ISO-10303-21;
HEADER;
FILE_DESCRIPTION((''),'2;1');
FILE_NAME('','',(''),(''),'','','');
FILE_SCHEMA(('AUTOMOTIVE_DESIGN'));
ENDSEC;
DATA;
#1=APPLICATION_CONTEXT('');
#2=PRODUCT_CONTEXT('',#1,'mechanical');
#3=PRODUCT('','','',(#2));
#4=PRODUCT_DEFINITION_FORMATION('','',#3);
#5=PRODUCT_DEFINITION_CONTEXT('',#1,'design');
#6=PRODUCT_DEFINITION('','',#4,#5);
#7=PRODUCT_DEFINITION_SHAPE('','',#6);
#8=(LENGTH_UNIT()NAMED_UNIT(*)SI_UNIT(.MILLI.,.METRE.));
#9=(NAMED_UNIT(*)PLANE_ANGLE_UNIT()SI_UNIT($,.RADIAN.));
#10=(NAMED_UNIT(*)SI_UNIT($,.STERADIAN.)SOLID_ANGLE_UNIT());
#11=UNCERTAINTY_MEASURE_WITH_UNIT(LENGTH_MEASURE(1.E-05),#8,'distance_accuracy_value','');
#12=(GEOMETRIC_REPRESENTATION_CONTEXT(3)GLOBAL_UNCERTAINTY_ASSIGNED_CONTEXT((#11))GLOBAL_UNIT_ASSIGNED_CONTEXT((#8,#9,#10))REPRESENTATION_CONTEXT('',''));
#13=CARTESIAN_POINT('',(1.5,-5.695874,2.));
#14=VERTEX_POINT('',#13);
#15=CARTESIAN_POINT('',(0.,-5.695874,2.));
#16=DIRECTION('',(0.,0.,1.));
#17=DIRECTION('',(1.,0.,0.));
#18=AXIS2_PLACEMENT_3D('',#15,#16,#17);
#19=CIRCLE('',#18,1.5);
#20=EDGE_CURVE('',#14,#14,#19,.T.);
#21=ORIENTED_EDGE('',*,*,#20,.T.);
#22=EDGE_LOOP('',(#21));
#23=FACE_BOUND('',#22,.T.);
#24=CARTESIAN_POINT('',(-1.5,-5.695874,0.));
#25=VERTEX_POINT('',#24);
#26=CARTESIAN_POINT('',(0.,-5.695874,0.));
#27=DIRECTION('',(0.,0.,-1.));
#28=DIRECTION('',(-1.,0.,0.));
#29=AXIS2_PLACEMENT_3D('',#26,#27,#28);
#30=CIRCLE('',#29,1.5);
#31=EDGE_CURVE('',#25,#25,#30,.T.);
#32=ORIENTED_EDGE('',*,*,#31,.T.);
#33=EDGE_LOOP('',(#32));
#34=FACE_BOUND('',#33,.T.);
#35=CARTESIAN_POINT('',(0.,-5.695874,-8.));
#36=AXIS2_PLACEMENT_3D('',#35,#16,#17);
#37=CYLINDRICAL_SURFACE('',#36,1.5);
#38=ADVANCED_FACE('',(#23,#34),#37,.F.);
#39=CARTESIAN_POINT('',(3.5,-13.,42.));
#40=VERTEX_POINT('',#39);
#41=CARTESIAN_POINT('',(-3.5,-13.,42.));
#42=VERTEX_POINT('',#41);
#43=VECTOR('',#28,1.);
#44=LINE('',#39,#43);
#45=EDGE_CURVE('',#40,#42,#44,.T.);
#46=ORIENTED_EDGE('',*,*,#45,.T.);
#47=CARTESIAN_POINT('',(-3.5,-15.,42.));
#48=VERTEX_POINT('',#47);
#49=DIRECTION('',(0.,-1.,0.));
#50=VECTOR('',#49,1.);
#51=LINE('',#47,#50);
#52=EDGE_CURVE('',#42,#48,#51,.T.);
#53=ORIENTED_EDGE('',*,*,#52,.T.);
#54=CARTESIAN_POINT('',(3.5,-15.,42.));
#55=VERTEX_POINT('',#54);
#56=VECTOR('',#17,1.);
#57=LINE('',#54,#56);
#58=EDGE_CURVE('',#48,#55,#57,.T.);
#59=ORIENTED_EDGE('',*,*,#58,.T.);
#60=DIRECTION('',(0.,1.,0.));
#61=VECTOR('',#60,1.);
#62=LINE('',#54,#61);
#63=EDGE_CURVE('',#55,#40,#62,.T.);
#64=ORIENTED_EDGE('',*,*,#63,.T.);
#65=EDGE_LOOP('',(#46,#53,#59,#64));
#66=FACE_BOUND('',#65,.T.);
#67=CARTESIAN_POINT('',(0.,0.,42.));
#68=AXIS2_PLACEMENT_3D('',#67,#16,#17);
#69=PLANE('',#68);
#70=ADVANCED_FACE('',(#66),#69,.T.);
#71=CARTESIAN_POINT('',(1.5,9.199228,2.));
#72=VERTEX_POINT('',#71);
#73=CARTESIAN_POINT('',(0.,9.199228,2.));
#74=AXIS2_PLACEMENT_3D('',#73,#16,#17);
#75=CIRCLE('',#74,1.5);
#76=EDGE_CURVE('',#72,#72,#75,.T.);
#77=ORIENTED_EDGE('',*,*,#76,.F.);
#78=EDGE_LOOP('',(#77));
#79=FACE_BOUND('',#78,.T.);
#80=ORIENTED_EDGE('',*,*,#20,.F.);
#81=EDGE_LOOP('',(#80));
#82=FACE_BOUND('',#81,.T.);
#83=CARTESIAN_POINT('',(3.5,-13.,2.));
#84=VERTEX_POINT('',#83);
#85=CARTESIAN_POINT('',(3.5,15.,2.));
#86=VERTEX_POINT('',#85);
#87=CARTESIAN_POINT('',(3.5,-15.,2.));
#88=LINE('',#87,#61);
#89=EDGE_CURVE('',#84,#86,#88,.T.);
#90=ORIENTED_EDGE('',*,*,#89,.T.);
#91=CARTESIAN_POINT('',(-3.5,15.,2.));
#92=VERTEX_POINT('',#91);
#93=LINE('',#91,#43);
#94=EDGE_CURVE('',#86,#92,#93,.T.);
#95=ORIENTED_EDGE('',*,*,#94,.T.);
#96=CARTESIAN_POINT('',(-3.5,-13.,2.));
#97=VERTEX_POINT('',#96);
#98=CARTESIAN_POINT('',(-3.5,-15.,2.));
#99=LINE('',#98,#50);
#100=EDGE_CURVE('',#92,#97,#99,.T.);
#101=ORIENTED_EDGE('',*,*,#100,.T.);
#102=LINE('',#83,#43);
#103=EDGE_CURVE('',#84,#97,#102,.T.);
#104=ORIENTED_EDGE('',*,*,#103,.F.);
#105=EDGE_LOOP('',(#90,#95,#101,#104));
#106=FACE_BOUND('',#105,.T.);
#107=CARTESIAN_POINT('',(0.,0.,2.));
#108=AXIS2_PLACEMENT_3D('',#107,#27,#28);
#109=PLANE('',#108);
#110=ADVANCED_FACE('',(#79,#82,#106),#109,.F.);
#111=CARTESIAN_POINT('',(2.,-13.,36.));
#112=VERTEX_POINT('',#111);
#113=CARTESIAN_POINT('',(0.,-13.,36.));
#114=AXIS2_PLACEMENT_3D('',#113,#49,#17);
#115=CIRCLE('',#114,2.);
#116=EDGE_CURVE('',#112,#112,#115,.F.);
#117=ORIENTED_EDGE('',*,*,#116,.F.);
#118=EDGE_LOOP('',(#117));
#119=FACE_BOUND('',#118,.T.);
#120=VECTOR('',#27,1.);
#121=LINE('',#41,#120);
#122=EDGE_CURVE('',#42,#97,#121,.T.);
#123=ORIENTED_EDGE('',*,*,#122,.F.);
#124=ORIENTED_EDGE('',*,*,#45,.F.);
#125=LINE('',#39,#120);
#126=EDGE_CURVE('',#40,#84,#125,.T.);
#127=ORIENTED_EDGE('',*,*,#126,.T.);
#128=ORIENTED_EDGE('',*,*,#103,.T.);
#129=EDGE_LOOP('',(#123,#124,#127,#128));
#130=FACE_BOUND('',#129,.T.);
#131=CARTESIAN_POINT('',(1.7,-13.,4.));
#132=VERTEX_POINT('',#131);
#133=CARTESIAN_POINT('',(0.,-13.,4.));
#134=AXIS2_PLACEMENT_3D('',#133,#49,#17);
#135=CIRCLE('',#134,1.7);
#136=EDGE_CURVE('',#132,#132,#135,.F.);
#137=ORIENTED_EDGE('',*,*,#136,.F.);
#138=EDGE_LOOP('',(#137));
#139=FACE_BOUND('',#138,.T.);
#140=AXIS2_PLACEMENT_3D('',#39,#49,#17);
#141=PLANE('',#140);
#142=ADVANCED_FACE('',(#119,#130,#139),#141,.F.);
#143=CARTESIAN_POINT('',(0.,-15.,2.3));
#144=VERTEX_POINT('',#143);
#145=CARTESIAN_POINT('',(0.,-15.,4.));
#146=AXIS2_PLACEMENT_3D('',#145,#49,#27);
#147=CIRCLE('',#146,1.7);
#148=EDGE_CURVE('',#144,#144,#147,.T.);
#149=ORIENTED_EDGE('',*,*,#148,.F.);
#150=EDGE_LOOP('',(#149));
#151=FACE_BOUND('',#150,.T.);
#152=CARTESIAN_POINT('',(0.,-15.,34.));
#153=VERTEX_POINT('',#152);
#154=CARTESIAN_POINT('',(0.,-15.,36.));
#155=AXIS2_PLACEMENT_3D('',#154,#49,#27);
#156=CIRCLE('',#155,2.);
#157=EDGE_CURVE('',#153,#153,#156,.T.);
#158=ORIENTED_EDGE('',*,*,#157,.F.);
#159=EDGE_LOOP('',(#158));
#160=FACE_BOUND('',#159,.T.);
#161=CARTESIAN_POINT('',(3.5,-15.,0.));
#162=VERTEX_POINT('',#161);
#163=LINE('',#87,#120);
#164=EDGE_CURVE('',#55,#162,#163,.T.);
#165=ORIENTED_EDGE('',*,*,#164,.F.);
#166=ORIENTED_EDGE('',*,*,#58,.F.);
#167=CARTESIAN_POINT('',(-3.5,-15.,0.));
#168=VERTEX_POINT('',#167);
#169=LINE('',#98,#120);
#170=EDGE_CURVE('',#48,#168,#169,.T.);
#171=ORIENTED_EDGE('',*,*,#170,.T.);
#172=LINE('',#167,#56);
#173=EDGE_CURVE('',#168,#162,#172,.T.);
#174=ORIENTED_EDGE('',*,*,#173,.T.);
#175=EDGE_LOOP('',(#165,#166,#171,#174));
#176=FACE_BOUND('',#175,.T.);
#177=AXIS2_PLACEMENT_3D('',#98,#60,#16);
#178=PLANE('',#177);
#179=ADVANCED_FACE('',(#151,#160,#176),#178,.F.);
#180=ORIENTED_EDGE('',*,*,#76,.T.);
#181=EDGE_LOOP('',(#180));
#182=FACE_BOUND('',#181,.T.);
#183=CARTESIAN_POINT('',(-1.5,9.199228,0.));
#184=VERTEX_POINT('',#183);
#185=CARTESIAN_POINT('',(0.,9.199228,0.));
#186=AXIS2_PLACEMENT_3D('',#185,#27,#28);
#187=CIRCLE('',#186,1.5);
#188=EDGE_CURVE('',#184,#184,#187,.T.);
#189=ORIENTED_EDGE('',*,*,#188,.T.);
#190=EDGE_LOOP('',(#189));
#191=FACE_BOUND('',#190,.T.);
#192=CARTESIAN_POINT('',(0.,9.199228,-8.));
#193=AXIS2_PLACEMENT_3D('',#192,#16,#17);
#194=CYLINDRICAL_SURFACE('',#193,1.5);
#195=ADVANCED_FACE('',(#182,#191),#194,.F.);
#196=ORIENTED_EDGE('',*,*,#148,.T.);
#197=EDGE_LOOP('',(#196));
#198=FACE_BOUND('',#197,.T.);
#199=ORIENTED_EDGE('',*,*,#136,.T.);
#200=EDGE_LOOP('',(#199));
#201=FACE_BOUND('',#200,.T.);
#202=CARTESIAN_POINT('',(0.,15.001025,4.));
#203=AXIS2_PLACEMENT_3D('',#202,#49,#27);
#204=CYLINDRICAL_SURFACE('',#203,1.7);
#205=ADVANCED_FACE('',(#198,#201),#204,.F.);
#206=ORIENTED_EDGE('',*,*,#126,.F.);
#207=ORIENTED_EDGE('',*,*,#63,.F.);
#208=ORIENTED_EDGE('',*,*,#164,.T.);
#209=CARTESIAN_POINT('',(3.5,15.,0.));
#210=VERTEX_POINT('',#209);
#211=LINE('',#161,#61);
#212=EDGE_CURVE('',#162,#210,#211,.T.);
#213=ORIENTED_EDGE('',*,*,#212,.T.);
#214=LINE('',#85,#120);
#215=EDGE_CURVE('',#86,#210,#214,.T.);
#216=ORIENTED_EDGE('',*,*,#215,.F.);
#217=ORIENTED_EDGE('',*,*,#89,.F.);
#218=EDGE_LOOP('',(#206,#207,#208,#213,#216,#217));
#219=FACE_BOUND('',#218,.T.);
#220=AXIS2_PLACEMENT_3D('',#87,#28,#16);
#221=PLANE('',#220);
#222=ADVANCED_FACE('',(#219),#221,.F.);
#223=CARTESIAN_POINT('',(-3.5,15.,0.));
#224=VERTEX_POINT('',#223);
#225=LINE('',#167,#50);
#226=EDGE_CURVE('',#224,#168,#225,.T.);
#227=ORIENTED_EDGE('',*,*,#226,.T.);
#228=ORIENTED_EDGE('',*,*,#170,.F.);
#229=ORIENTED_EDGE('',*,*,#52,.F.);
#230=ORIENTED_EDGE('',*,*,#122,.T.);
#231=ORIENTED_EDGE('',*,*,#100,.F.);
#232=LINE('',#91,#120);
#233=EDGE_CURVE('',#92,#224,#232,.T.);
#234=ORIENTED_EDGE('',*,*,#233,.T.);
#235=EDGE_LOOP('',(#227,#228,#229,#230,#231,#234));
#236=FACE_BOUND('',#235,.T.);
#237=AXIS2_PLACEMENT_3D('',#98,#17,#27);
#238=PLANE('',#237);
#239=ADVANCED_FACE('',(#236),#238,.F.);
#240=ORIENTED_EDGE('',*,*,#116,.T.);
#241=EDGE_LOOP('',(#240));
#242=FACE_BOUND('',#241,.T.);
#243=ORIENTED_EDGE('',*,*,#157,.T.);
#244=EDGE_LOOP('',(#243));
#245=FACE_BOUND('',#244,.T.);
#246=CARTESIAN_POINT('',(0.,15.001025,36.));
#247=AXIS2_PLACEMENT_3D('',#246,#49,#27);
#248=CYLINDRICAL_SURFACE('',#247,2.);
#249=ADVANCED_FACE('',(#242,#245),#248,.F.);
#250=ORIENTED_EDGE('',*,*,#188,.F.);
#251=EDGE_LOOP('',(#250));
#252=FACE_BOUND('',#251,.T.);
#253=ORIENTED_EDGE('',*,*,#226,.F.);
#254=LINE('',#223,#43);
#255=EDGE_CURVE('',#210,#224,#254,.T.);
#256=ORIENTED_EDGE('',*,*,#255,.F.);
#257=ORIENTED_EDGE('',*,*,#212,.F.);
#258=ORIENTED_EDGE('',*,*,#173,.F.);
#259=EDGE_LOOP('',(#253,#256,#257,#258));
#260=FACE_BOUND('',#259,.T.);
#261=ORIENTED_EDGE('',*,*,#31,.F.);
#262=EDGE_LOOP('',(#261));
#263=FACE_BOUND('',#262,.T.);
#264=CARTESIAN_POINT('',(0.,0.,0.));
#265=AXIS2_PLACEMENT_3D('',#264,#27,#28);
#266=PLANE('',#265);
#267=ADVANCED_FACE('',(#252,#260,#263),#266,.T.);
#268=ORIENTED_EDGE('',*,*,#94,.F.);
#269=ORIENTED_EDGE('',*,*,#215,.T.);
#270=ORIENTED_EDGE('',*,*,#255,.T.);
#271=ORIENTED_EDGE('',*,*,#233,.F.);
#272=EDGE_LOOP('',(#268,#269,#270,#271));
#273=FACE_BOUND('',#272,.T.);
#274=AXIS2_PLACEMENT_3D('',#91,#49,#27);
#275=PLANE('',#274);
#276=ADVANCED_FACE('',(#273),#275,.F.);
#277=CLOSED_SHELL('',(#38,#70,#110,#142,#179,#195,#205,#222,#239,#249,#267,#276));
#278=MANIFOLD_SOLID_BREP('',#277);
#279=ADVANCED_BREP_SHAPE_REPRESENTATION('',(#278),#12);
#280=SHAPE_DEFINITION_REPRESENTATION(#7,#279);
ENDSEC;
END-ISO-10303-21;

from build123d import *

# Parameters (mm, degrees)
ESBO_O2_W                = 7
ESBO_O2_H                = 30
RESSALTO_EXTRUS_O1_DEPTH = 2
ESBO_O3_W                = 7
ESBO_O3_H                = 2
RESSALTO_EXTRUS_O2_DEPTH = 40
CORTE_EXTRUS_O1_REACH    = 53.732
ESBO_O4_R                = 1.7
ESBO_O4_R_2              = 2
ESBO_O5_R                = 1.5
CORTE_EXTRUS_O2_DEPTH    = 10


with BuildPart() as part:
    # Esboço2 → Ressalto-extrusão1 (new body)
    with BuildSketch(Plane.XY):
        Rectangle(ESBO_O2_W, ESBO_O2_H)
    extrude(amount=RESSALTO_EXTRUS_O1_DEPTH)

    # Esboço3 → Ressalto-extrusão2 (add)
    with BuildSketch(Plane.XY.offset(2)):
        with Locations((0, -14)):
            Rectangle(ESBO_O3_W, ESBO_O3_H)
    extrude(amount=RESSALTO_EXTRUS_O2_DEPTH)

    # Esboço4 → Corte-extrusão1 (cut, up to next)
    with BuildSketch(Plane.XZ.offset(15), mode=Mode.PRIVATE) as corte_extrus_o1_sk1:
        with Locations(Location((0, 4, 0), (0, 0, 270))):
            Circle(ESBO_O4_R)
    corte_extrus_o1_tool1 = extrude(corte_extrus_o1_sk1.sketch, amount=-CORTE_EXTRUS_O1_REACH, mode=Mode.PRIVATE) & part.part
    # Esboço4 → Corte-extrusão1 (cut, up to next)
    with BuildSketch(Plane.XZ.offset(15), mode=Mode.PRIVATE) as corte_extrus_o1_sk2:
        with Locations(Location((0, 36, 0), (0, 0, 270))):
            Circle(ESBO_O4_R_2)
    corte_extrus_o1_tool2 = extrude(corte_extrus_o1_sk2.sketch, amount=-CORTE_EXTRUS_O1_REACH, mode=Mode.PRIVATE) & part.part
    add(corte_extrus_o1_tool1.solids().sort_by_distance((0, -15, 4))[0], mode=Mode.SUBTRACT)
    add(corte_extrus_o1_tool2.solids().sort_by_distance((0, -15, 36))[0], mode=Mode.SUBTRACT)

    # Esboço5 → Corte-extrusão2 (cut)
    with BuildSketch(Plane.XY.offset(2)):
        with Locations((0, -5.695873952)):
            Circle(ESBO_O5_R)
        with Locations((0, 9.199228267)):
            Circle(ESBO_O5_R)
    extrude(amount=-CORTE_EXTRUS_O2_DEPTH, mode=Mode.SUBTRACT)


solid = part.part
